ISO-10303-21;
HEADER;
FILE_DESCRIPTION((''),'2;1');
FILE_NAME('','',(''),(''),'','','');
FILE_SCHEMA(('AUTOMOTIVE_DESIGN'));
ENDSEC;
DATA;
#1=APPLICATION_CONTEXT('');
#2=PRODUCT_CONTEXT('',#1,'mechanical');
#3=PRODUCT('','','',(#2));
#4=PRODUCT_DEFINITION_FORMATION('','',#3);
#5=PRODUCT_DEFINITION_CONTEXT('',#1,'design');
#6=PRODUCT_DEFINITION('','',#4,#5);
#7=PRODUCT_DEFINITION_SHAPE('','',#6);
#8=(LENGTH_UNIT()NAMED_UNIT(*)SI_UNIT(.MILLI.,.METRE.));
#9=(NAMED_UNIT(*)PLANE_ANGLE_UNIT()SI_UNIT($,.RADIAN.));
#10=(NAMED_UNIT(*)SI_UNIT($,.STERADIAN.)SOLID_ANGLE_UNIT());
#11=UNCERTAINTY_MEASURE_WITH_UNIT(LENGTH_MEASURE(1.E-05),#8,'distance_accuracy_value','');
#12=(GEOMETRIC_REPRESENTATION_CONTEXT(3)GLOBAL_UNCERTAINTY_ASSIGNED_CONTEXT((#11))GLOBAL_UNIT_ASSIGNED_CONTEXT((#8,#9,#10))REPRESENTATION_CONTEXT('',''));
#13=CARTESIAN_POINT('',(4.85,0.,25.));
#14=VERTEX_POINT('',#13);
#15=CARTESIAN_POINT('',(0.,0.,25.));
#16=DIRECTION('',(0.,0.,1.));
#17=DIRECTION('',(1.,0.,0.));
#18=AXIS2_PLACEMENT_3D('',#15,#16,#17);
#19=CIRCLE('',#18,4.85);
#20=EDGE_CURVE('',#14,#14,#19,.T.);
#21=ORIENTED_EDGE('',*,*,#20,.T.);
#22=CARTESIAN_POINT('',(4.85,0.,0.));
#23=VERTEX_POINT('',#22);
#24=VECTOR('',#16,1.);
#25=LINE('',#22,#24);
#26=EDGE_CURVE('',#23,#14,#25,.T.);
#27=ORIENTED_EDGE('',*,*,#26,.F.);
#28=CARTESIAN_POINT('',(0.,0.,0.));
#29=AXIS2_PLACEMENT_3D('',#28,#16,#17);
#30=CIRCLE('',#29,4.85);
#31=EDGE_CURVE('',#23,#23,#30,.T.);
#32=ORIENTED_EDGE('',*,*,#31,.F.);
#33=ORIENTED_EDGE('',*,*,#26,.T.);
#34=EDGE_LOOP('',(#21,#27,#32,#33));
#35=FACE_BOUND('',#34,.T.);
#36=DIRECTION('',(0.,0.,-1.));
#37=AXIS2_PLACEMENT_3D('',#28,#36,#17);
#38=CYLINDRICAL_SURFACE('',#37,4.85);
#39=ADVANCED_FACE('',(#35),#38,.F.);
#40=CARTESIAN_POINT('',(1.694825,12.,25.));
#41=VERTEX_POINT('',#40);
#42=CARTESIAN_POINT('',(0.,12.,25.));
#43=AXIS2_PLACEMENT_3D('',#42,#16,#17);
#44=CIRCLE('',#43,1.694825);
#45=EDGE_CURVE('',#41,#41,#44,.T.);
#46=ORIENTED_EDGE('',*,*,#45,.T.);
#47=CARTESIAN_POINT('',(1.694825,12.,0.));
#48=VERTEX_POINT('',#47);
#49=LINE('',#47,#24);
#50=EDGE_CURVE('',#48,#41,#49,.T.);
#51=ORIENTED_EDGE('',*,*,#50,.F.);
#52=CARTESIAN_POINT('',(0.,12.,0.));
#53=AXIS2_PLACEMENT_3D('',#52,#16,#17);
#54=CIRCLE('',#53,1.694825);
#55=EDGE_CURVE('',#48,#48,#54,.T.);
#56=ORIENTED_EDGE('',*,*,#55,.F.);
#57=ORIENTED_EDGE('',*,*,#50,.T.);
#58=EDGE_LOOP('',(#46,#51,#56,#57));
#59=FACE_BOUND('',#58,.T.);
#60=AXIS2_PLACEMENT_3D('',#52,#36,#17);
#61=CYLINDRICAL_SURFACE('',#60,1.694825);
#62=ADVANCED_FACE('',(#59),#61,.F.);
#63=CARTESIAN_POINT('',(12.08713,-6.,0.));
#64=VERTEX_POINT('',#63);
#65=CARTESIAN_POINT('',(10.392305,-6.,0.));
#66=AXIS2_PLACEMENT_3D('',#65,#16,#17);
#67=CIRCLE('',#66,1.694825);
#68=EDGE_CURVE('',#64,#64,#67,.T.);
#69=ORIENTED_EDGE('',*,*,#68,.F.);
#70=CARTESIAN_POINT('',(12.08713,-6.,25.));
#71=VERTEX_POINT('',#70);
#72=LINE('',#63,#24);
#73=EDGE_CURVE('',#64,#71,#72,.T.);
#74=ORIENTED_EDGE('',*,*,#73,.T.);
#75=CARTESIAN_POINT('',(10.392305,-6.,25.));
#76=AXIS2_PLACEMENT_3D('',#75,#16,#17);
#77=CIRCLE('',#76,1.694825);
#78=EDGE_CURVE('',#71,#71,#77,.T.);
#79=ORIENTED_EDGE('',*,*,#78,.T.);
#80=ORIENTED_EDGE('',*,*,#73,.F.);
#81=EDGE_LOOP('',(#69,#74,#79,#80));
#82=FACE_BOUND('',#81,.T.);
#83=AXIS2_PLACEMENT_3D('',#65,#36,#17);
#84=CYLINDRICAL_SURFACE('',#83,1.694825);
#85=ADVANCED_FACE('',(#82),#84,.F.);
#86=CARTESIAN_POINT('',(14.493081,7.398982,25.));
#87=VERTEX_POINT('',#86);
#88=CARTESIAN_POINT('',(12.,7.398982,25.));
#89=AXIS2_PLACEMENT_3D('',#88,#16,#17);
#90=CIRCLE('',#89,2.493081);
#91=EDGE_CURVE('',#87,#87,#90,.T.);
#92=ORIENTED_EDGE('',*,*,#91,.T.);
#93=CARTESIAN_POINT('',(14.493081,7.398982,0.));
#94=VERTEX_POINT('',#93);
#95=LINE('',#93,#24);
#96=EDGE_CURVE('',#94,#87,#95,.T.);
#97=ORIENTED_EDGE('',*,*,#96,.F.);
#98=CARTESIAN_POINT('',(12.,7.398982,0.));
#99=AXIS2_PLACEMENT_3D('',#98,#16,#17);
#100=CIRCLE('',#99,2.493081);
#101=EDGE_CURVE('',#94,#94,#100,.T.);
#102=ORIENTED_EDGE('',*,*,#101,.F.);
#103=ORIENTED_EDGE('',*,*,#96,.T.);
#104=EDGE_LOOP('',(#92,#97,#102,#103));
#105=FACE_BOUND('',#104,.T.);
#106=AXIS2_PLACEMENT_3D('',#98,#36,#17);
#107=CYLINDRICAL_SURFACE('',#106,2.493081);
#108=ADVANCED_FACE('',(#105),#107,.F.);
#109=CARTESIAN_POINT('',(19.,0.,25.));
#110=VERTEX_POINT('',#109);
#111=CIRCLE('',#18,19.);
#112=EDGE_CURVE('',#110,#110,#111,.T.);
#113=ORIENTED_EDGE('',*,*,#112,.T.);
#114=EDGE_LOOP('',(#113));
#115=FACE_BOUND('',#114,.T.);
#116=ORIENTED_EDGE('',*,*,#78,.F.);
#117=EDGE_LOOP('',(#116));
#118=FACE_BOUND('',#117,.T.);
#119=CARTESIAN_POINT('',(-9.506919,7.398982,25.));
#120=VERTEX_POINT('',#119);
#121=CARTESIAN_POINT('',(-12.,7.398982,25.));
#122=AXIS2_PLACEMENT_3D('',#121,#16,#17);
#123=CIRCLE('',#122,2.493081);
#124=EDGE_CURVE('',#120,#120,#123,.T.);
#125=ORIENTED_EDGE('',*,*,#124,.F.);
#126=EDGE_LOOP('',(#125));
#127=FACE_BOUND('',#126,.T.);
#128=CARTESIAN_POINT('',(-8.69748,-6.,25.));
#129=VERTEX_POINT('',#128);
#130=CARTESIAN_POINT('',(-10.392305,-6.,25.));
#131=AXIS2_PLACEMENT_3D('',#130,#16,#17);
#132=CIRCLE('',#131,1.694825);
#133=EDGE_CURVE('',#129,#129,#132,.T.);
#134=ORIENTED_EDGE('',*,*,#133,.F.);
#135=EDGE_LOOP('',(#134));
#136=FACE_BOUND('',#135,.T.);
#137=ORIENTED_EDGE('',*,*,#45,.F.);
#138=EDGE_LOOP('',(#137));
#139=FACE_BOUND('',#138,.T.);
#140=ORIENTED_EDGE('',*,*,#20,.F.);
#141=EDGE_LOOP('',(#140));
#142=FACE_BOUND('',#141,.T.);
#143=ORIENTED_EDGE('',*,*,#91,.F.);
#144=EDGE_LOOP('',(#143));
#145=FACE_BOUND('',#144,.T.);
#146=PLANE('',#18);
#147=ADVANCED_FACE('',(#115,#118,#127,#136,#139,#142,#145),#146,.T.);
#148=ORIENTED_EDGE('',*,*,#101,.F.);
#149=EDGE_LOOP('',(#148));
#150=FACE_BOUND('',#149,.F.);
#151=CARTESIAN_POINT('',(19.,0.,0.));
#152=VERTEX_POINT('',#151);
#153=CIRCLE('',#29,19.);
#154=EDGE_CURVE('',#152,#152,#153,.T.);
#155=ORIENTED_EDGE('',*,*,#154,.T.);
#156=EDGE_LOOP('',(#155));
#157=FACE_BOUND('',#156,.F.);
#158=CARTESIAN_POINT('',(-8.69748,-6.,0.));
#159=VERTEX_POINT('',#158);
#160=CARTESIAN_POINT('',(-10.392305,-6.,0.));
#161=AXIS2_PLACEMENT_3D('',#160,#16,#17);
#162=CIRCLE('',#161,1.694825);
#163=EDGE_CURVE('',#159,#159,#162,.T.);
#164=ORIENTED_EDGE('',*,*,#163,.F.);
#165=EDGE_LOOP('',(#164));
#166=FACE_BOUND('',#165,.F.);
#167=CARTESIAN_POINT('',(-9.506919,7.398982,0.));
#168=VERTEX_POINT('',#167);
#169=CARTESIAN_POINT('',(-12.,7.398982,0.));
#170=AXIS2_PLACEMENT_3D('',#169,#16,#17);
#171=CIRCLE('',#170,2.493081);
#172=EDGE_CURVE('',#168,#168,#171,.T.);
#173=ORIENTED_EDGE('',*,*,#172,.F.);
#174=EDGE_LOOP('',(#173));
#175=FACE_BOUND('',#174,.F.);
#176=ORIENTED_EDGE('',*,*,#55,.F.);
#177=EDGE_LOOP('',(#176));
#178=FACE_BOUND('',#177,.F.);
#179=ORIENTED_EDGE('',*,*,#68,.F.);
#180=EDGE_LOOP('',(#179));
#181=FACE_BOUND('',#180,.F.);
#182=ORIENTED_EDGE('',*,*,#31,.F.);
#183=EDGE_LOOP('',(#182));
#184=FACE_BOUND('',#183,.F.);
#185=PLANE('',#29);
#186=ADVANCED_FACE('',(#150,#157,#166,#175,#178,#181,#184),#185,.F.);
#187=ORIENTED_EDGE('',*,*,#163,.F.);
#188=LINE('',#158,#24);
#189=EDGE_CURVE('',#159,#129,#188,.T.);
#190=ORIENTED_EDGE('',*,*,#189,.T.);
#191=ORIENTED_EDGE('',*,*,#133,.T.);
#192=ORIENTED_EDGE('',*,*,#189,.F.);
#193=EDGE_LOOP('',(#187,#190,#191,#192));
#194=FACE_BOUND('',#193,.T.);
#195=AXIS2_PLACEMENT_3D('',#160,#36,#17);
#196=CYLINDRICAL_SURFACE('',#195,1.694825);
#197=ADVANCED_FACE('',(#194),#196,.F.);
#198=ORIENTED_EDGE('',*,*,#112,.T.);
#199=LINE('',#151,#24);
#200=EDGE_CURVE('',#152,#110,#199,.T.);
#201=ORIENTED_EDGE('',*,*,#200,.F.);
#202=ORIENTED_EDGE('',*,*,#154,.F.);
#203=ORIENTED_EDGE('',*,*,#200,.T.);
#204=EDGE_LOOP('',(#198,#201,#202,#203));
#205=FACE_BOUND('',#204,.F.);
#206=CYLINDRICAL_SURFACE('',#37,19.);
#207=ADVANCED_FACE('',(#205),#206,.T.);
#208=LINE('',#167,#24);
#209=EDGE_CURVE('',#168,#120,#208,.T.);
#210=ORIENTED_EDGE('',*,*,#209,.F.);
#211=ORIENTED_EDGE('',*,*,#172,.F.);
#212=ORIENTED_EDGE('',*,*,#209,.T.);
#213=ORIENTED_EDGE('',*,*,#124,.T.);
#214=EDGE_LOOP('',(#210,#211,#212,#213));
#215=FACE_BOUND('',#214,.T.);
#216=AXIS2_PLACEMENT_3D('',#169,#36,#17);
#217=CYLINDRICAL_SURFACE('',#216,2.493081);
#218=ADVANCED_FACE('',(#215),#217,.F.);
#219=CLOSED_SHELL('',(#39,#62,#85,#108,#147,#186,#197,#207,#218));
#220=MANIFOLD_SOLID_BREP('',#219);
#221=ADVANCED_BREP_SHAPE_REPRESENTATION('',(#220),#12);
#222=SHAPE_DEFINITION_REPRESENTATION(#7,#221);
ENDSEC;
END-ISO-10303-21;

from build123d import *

# Parameters (mm, degrees)
F0_R     = 19
F0_R_2   = 1.694825
F0_R_3   = 2.493081
F0_R_4   = 4.85
F1_DEPTH = 25


with BuildPart() as f1:
    # F0 (on Top) → F1 (new body)
    with BuildSketch(Plane.XY):
        Circle(F0_R)
        with Locations((-10.392305, -6)):
            Circle(F0_R_2, mode=Mode.SUBTRACT)
        with Locations((10.392305, -6)):
            Circle(F0_R_2, mode=Mode.SUBTRACT)
        with Locations((-12, 7.398982)):
            Circle(F0_R_3, mode=Mode.SUBTRACT)
        Circle(F0_R_4, mode=Mode.SUBTRACT)
        with Locations((12, 7.398982)):
            Circle(F0_R_3, mode=Mode.SUBTRACT)
        with Locations((0, 12)):
            Circle(F0_R_2, mode=Mode.SUBTRACT)
    extrude(amount=F1_DEPTH)


solid = f1.part
